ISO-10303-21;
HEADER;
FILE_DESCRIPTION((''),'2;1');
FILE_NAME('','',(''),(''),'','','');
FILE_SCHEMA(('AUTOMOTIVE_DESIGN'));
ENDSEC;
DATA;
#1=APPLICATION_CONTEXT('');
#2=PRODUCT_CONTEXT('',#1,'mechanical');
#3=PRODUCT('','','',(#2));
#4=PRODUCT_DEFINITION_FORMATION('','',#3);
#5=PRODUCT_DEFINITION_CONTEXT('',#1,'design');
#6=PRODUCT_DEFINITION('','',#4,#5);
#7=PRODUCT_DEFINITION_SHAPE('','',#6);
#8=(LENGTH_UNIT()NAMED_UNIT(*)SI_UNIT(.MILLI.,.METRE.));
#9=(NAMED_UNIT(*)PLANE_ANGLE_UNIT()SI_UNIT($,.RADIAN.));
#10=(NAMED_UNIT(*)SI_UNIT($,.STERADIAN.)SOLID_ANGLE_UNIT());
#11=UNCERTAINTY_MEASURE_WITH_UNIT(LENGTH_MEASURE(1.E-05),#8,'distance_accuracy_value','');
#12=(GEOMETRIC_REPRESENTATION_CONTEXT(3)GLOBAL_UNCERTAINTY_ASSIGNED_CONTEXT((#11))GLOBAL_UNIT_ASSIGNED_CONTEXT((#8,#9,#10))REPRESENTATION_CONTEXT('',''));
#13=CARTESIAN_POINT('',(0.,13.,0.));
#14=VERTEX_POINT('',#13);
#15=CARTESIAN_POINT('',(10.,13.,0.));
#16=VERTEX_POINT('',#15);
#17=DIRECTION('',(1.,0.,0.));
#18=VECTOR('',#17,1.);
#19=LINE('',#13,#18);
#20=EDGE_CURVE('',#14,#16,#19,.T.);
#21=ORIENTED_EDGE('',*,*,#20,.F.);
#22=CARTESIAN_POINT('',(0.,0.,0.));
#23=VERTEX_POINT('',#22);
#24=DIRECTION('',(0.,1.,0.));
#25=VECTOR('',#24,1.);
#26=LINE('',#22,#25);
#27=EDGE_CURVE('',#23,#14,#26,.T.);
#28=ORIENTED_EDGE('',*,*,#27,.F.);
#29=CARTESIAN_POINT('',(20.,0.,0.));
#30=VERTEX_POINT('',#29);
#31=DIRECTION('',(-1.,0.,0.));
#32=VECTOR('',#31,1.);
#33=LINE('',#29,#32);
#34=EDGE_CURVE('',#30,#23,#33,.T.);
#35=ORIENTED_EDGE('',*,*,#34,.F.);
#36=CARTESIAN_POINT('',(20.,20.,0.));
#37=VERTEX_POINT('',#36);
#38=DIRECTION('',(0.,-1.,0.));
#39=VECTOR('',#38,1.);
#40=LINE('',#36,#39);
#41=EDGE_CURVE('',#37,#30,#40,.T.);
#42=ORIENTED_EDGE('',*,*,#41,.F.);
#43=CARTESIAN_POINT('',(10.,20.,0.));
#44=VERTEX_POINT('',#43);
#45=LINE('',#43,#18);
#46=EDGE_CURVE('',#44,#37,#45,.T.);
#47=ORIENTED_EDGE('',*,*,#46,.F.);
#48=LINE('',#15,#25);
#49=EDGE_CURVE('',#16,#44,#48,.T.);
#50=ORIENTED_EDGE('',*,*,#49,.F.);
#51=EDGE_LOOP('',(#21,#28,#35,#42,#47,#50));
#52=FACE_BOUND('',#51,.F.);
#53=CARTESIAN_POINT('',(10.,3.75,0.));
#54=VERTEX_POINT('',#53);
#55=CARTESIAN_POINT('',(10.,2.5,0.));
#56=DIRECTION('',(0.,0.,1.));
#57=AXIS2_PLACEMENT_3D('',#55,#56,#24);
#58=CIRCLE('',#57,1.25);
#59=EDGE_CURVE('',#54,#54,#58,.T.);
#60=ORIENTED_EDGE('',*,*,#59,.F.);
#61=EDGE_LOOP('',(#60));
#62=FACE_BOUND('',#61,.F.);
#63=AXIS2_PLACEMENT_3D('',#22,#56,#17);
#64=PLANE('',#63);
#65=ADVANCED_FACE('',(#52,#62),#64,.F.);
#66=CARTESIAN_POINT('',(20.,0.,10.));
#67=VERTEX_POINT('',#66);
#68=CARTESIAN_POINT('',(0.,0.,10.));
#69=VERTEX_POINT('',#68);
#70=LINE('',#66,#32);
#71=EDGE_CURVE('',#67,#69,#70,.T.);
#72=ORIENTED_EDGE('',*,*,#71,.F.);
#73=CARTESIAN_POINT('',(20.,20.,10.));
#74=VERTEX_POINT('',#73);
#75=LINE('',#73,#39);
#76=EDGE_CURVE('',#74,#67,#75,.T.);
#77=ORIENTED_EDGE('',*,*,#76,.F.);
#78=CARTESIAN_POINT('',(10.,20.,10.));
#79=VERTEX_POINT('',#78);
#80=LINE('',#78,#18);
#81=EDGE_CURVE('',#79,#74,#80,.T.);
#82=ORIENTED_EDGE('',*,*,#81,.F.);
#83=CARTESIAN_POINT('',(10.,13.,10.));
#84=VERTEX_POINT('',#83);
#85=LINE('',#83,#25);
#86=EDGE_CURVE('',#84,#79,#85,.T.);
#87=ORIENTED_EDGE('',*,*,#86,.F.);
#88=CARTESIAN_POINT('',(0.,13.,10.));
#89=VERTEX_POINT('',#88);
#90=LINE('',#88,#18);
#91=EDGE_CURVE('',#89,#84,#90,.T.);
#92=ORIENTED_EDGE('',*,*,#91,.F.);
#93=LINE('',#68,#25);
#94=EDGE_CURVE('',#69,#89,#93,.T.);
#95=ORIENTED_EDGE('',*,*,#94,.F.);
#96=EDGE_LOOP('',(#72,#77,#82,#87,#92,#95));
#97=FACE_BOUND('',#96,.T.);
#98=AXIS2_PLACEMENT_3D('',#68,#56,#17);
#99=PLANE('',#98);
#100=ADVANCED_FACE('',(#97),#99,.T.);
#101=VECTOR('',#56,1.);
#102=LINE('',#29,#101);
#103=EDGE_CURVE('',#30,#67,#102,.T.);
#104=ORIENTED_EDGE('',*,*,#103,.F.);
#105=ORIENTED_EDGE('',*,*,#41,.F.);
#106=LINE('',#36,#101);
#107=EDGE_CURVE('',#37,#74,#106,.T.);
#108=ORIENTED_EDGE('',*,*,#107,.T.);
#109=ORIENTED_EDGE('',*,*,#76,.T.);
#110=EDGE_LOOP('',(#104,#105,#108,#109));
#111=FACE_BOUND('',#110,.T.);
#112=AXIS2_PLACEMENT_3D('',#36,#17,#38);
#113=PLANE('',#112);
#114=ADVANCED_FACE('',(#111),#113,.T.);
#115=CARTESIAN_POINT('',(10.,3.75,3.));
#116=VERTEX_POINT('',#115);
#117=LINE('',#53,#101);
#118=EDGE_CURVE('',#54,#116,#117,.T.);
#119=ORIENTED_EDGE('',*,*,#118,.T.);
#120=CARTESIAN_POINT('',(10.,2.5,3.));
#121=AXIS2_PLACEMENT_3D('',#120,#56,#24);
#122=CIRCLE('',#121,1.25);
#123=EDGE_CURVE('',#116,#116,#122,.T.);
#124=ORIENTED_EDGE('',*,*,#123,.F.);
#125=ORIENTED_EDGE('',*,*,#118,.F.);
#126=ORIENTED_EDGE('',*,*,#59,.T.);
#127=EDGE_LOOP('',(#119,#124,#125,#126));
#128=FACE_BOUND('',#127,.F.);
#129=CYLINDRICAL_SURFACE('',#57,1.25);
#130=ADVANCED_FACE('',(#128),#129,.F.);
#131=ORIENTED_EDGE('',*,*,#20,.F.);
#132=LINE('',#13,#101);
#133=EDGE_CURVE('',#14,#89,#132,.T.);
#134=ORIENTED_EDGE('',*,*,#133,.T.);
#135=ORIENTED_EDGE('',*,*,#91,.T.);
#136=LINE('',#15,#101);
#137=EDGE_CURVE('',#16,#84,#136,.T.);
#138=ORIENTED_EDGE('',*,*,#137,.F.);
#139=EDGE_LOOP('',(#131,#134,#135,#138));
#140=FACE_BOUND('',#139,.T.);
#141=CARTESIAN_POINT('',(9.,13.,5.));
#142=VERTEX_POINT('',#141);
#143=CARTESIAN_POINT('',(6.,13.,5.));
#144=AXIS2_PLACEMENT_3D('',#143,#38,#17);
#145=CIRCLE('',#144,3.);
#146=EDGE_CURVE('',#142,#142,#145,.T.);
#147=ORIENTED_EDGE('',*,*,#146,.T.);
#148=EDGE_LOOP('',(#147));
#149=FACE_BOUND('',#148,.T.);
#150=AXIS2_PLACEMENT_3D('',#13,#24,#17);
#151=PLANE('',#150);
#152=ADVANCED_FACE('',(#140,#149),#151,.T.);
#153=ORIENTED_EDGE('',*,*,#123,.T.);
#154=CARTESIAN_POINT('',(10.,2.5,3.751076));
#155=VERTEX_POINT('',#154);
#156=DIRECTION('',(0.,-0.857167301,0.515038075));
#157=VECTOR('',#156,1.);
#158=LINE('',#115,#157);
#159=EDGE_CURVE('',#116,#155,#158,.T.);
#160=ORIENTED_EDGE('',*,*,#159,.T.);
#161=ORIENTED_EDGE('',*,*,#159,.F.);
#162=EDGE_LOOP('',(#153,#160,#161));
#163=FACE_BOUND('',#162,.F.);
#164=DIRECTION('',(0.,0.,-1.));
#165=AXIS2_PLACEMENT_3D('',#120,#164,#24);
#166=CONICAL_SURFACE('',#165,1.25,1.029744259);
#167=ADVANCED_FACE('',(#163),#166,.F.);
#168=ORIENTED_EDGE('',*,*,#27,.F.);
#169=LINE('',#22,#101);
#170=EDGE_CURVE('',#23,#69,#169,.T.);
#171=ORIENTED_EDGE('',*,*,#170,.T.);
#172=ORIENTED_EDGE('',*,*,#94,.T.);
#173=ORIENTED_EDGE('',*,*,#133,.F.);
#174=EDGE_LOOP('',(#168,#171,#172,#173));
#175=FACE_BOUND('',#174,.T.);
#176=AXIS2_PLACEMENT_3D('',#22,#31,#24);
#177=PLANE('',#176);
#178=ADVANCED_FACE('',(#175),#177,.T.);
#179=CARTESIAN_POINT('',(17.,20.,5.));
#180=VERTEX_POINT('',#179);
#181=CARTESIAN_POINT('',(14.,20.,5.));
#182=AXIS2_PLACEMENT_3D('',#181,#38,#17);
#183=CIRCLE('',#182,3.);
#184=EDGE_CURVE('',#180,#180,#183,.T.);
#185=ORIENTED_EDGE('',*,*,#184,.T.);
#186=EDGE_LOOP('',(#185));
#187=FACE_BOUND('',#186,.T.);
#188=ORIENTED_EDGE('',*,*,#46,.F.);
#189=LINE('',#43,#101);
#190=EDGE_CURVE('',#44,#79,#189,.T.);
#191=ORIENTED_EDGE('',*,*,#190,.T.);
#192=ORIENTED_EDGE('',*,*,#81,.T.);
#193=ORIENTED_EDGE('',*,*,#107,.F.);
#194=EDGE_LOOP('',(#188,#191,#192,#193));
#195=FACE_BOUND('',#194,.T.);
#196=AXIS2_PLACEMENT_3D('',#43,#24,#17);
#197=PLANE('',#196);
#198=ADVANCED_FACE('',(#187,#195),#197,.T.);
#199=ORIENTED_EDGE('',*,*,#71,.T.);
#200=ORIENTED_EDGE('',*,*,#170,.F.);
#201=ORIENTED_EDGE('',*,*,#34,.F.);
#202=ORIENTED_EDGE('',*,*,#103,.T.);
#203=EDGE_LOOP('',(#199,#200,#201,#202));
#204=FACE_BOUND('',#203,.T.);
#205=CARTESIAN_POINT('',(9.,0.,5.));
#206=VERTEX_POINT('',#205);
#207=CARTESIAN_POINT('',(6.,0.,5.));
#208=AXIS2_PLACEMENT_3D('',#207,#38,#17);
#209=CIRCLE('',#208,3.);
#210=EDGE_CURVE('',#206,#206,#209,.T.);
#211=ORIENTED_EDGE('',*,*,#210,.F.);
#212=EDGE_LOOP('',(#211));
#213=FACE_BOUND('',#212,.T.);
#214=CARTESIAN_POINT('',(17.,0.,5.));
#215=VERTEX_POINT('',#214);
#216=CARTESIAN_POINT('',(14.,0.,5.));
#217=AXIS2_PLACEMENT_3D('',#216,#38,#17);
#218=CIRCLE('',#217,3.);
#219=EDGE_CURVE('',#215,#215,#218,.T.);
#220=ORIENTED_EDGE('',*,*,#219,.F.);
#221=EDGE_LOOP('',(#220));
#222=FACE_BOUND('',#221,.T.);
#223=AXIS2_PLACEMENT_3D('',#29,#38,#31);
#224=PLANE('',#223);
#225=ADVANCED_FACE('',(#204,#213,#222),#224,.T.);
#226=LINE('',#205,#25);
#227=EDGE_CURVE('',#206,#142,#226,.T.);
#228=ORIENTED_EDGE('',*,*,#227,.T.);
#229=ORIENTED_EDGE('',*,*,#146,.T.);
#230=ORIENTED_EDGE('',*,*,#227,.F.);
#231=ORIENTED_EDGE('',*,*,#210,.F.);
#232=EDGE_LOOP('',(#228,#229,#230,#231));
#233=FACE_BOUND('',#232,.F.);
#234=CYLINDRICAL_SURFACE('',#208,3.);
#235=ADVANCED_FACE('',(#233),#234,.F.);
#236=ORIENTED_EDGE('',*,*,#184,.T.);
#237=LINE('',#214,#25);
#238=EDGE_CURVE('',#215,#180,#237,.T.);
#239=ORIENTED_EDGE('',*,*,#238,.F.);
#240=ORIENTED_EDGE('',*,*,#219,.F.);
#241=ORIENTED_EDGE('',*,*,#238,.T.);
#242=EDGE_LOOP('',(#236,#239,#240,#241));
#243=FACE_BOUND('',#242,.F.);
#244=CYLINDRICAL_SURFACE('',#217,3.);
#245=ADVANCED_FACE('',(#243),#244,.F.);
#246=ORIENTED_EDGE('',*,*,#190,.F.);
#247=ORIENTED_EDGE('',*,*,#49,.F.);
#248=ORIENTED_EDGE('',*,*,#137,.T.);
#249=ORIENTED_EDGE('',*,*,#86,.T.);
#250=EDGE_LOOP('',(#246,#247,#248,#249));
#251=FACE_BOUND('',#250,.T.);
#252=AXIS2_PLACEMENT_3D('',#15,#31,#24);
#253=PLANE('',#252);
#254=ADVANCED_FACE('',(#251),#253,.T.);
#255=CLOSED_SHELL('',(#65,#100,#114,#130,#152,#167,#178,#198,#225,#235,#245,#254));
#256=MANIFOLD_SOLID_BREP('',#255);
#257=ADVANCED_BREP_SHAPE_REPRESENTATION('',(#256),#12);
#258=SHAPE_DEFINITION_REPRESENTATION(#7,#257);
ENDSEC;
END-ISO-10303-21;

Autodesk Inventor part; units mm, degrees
ref_plane "YZ Plane" through (0, 0, 0) normal (1, 0, 0) x (0, 1, 0)
ref_plane "XZ Plane" through (0, 0, 0) normal (0, 1, 0) x (-1, 0, 0)
ref_plane "XY Plane" through (0, 0, 0) normal (0, 0, 1) x (1, 0, 0)
sketch "Sketch1" plane through (0, 0, 0) normal (0, 0, 1) x (1, 0, 0)
  line L0 (0, 0) -> (0, 13)
  line L1 (0, 13) -> (10, 13)
  line L2 (10, 13) -> (10, 20)
  line L3 (10, 20) -> (20, 20)
  line L4 (20, 20) -> (20, 0)
  line L5 (20, 0) -> (0, 0)
  dimension "d0" = 20
  dimension "d2" = 20
  dimension "d3" = 10
  dimension "d4" = 7
extrude "Extrusion1" add sketch "Sketch1" along normal blind 10
sketch "Sketch2" plane through (0, 0, 0) normal (0, -1, 0) x (1, 0, 0)
  line L0 (20, 0) -> (20, 10) projected
  line L1 (0, 10) -> (20, 10) projected
  line L2 (0, 0) -> (0, 10) projected
  circle A0 centre (6, 5) radius 3
  circle A1 centre (14, 5) radius 3
  dimension "d7" = 6
  dimension "d9" = 6
  dimension "d10" = 5
  dimension "d11" = 6
  dimension "d12" = 6
extrude "Extrusion2" cut sketch "Sketch2" against normal blind 22
sketch "Sketch3" plane through (0, 0, 0) normal (0, 0, -1) x (-1, 0, 0)
  line L0 (0, 0) -> (0, 13) projected
  line L1 (-20, 0) -> (0, 0) projected
  circle A0 centre (-10, 2.5) radius 1.25
  dimension "d15" = 2.5
  dimension "d17" = 2.5
  dimension "d18" = 10
hole "Hole1" at (10, 2.5, 0) direction (0, 0, 1) diameter 2.5 depth 3 tip angle 118
thread "Thread1" size "M6x1" class "6H" standard "ANSI Metric M Profile" full length
properties part number "heHeaterBlock"
